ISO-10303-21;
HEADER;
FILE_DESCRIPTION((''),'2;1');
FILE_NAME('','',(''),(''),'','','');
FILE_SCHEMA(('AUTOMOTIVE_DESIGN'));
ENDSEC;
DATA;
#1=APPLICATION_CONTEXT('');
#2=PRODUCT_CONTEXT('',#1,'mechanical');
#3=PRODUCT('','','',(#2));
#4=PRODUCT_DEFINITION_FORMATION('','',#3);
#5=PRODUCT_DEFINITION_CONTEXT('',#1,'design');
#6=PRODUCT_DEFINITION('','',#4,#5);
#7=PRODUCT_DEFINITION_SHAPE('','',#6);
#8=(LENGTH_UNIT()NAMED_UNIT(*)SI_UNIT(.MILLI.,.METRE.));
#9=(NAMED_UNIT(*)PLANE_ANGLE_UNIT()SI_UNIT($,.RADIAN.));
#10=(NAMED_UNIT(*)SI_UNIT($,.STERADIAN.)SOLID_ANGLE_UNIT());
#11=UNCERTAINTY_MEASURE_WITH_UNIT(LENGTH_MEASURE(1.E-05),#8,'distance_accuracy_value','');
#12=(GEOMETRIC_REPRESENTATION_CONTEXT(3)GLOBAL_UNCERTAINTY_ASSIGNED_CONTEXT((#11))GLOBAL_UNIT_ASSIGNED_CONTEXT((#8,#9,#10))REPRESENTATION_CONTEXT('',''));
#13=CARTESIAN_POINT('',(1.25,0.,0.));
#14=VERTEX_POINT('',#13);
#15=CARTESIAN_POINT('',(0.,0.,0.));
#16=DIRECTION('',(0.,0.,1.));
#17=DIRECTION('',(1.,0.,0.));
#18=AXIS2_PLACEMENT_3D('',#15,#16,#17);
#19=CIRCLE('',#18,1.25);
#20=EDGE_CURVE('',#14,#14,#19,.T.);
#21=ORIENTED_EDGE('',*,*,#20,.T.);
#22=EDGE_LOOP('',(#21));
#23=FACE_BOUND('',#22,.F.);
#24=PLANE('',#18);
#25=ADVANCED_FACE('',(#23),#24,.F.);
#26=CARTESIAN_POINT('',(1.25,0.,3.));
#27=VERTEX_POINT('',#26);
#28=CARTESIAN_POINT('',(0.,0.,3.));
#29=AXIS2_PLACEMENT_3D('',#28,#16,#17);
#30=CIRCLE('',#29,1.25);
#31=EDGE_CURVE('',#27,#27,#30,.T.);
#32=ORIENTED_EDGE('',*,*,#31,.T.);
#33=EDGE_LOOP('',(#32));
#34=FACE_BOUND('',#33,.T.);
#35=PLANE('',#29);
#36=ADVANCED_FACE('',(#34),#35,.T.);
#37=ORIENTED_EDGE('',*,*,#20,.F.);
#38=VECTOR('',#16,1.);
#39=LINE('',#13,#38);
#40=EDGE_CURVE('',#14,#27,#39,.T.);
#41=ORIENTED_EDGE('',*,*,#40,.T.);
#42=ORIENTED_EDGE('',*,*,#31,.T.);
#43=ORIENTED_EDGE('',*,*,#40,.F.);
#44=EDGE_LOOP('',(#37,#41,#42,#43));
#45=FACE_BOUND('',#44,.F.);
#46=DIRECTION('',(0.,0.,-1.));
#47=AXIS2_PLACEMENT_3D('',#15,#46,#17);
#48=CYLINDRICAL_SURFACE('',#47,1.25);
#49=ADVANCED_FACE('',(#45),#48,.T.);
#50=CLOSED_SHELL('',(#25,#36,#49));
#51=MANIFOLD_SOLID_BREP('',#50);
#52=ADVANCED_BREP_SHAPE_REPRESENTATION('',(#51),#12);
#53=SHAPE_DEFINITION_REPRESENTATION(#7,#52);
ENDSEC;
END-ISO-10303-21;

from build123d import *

# Parameters (mm, degrees)
SKETCH_R  = 1.25
PAD_DEPTH = 3


with BuildPart() as part:
    # Sketch → Pad (new body)
    with BuildSketch(Plane.XY):
        Circle(SKETCH_R)
    extrude(amount=PAD_DEPTH)


solid = part.part
